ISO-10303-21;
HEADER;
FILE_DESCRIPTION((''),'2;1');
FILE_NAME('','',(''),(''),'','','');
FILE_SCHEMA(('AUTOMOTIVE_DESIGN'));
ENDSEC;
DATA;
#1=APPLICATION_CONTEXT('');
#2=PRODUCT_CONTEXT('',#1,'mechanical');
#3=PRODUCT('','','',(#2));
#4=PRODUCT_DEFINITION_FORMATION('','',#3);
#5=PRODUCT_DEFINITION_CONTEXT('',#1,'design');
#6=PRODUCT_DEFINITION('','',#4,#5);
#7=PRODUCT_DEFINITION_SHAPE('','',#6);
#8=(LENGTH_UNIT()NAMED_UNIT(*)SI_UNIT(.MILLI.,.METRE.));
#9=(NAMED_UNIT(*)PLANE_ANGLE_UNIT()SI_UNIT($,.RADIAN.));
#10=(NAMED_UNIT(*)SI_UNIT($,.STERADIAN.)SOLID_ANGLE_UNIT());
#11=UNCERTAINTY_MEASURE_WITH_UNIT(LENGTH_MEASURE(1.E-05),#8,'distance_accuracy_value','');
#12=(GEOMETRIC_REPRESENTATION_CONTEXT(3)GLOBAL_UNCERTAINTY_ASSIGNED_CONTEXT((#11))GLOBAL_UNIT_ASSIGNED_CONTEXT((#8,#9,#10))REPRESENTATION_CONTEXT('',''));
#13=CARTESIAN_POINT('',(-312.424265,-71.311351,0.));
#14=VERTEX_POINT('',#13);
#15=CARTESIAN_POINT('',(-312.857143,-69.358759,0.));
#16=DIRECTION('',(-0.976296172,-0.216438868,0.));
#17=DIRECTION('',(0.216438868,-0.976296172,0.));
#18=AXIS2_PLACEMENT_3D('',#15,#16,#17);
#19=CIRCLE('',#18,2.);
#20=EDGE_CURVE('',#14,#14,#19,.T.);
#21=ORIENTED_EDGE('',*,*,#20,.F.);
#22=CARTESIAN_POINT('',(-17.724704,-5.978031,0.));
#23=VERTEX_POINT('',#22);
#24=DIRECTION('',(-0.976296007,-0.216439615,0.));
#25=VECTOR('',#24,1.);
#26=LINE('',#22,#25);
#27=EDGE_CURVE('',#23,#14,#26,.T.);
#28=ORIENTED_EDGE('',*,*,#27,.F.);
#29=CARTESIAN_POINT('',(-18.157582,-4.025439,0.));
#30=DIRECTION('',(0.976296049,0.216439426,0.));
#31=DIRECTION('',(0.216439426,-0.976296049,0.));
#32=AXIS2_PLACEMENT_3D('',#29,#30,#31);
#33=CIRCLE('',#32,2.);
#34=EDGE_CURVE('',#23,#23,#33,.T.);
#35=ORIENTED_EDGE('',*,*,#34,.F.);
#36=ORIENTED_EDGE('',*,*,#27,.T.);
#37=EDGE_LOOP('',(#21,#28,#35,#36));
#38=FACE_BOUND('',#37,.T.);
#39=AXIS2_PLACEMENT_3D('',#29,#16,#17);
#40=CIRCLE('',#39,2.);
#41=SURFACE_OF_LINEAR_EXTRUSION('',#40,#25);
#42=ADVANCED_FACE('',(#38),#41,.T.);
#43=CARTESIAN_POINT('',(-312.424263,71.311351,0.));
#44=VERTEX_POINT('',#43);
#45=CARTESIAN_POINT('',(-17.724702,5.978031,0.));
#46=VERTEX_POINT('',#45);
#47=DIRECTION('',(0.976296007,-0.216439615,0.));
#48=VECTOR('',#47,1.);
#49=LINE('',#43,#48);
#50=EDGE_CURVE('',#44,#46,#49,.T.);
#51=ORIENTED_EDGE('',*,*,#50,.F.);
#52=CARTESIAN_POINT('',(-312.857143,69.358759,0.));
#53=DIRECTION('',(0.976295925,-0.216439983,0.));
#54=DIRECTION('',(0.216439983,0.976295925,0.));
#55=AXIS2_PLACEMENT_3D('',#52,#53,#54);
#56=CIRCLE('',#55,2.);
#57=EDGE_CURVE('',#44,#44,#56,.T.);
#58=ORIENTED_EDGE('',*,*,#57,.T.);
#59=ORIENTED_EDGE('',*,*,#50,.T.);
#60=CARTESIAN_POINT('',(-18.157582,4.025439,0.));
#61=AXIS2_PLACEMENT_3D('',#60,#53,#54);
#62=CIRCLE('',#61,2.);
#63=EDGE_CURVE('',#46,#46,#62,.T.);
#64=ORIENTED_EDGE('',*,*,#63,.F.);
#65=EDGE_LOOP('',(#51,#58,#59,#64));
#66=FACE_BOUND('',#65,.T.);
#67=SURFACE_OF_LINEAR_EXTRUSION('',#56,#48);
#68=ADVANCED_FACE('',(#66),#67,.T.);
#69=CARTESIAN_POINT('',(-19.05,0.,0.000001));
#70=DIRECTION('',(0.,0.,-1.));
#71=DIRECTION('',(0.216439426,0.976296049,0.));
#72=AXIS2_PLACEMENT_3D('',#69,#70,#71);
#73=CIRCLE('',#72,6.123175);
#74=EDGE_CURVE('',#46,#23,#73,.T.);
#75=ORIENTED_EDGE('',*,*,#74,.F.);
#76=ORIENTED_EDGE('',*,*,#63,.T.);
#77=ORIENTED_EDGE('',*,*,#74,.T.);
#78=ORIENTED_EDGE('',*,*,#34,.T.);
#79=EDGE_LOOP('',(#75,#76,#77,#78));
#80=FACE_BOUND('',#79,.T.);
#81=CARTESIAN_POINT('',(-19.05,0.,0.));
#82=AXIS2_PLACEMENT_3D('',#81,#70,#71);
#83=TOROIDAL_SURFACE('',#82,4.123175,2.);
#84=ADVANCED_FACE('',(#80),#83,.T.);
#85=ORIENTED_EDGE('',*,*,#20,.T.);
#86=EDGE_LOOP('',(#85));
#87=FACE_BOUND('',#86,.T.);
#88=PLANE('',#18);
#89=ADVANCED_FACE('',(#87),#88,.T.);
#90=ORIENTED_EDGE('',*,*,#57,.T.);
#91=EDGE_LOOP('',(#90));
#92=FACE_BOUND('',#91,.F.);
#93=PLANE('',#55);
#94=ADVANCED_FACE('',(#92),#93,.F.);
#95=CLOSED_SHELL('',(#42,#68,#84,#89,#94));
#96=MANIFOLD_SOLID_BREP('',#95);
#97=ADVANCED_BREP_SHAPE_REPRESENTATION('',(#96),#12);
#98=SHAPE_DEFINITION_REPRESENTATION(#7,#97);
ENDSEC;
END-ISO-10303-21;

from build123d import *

# Parameters (mm, degrees)
F2_R = 2


with BuildPart() as f3:
    # F3: sweep along a path in F0
    with BuildLine(Plane.XY) as f3_path:
        Line((-312.857143, 69.358759), (-18.157582, 4.025439))
        ThreePointArc((-18.157582, 4.025439), (-14.926825, 0), (-18.157582, -4.025439))
        Line((-18.157582, -4.025439), (-312.857143, -69.358759))
    # F2 (on face) → F3 (sweep)
    with BuildSketch(Plane(origin=(-312.857143, 69.358759, 0), x_dir=(0.21644, 0.976296, 0), z_dir=(0.976296, -0.21644, 0))):
        Circle(F2_R)
    sweep(path=f3_path.line)


solid = f3.part
